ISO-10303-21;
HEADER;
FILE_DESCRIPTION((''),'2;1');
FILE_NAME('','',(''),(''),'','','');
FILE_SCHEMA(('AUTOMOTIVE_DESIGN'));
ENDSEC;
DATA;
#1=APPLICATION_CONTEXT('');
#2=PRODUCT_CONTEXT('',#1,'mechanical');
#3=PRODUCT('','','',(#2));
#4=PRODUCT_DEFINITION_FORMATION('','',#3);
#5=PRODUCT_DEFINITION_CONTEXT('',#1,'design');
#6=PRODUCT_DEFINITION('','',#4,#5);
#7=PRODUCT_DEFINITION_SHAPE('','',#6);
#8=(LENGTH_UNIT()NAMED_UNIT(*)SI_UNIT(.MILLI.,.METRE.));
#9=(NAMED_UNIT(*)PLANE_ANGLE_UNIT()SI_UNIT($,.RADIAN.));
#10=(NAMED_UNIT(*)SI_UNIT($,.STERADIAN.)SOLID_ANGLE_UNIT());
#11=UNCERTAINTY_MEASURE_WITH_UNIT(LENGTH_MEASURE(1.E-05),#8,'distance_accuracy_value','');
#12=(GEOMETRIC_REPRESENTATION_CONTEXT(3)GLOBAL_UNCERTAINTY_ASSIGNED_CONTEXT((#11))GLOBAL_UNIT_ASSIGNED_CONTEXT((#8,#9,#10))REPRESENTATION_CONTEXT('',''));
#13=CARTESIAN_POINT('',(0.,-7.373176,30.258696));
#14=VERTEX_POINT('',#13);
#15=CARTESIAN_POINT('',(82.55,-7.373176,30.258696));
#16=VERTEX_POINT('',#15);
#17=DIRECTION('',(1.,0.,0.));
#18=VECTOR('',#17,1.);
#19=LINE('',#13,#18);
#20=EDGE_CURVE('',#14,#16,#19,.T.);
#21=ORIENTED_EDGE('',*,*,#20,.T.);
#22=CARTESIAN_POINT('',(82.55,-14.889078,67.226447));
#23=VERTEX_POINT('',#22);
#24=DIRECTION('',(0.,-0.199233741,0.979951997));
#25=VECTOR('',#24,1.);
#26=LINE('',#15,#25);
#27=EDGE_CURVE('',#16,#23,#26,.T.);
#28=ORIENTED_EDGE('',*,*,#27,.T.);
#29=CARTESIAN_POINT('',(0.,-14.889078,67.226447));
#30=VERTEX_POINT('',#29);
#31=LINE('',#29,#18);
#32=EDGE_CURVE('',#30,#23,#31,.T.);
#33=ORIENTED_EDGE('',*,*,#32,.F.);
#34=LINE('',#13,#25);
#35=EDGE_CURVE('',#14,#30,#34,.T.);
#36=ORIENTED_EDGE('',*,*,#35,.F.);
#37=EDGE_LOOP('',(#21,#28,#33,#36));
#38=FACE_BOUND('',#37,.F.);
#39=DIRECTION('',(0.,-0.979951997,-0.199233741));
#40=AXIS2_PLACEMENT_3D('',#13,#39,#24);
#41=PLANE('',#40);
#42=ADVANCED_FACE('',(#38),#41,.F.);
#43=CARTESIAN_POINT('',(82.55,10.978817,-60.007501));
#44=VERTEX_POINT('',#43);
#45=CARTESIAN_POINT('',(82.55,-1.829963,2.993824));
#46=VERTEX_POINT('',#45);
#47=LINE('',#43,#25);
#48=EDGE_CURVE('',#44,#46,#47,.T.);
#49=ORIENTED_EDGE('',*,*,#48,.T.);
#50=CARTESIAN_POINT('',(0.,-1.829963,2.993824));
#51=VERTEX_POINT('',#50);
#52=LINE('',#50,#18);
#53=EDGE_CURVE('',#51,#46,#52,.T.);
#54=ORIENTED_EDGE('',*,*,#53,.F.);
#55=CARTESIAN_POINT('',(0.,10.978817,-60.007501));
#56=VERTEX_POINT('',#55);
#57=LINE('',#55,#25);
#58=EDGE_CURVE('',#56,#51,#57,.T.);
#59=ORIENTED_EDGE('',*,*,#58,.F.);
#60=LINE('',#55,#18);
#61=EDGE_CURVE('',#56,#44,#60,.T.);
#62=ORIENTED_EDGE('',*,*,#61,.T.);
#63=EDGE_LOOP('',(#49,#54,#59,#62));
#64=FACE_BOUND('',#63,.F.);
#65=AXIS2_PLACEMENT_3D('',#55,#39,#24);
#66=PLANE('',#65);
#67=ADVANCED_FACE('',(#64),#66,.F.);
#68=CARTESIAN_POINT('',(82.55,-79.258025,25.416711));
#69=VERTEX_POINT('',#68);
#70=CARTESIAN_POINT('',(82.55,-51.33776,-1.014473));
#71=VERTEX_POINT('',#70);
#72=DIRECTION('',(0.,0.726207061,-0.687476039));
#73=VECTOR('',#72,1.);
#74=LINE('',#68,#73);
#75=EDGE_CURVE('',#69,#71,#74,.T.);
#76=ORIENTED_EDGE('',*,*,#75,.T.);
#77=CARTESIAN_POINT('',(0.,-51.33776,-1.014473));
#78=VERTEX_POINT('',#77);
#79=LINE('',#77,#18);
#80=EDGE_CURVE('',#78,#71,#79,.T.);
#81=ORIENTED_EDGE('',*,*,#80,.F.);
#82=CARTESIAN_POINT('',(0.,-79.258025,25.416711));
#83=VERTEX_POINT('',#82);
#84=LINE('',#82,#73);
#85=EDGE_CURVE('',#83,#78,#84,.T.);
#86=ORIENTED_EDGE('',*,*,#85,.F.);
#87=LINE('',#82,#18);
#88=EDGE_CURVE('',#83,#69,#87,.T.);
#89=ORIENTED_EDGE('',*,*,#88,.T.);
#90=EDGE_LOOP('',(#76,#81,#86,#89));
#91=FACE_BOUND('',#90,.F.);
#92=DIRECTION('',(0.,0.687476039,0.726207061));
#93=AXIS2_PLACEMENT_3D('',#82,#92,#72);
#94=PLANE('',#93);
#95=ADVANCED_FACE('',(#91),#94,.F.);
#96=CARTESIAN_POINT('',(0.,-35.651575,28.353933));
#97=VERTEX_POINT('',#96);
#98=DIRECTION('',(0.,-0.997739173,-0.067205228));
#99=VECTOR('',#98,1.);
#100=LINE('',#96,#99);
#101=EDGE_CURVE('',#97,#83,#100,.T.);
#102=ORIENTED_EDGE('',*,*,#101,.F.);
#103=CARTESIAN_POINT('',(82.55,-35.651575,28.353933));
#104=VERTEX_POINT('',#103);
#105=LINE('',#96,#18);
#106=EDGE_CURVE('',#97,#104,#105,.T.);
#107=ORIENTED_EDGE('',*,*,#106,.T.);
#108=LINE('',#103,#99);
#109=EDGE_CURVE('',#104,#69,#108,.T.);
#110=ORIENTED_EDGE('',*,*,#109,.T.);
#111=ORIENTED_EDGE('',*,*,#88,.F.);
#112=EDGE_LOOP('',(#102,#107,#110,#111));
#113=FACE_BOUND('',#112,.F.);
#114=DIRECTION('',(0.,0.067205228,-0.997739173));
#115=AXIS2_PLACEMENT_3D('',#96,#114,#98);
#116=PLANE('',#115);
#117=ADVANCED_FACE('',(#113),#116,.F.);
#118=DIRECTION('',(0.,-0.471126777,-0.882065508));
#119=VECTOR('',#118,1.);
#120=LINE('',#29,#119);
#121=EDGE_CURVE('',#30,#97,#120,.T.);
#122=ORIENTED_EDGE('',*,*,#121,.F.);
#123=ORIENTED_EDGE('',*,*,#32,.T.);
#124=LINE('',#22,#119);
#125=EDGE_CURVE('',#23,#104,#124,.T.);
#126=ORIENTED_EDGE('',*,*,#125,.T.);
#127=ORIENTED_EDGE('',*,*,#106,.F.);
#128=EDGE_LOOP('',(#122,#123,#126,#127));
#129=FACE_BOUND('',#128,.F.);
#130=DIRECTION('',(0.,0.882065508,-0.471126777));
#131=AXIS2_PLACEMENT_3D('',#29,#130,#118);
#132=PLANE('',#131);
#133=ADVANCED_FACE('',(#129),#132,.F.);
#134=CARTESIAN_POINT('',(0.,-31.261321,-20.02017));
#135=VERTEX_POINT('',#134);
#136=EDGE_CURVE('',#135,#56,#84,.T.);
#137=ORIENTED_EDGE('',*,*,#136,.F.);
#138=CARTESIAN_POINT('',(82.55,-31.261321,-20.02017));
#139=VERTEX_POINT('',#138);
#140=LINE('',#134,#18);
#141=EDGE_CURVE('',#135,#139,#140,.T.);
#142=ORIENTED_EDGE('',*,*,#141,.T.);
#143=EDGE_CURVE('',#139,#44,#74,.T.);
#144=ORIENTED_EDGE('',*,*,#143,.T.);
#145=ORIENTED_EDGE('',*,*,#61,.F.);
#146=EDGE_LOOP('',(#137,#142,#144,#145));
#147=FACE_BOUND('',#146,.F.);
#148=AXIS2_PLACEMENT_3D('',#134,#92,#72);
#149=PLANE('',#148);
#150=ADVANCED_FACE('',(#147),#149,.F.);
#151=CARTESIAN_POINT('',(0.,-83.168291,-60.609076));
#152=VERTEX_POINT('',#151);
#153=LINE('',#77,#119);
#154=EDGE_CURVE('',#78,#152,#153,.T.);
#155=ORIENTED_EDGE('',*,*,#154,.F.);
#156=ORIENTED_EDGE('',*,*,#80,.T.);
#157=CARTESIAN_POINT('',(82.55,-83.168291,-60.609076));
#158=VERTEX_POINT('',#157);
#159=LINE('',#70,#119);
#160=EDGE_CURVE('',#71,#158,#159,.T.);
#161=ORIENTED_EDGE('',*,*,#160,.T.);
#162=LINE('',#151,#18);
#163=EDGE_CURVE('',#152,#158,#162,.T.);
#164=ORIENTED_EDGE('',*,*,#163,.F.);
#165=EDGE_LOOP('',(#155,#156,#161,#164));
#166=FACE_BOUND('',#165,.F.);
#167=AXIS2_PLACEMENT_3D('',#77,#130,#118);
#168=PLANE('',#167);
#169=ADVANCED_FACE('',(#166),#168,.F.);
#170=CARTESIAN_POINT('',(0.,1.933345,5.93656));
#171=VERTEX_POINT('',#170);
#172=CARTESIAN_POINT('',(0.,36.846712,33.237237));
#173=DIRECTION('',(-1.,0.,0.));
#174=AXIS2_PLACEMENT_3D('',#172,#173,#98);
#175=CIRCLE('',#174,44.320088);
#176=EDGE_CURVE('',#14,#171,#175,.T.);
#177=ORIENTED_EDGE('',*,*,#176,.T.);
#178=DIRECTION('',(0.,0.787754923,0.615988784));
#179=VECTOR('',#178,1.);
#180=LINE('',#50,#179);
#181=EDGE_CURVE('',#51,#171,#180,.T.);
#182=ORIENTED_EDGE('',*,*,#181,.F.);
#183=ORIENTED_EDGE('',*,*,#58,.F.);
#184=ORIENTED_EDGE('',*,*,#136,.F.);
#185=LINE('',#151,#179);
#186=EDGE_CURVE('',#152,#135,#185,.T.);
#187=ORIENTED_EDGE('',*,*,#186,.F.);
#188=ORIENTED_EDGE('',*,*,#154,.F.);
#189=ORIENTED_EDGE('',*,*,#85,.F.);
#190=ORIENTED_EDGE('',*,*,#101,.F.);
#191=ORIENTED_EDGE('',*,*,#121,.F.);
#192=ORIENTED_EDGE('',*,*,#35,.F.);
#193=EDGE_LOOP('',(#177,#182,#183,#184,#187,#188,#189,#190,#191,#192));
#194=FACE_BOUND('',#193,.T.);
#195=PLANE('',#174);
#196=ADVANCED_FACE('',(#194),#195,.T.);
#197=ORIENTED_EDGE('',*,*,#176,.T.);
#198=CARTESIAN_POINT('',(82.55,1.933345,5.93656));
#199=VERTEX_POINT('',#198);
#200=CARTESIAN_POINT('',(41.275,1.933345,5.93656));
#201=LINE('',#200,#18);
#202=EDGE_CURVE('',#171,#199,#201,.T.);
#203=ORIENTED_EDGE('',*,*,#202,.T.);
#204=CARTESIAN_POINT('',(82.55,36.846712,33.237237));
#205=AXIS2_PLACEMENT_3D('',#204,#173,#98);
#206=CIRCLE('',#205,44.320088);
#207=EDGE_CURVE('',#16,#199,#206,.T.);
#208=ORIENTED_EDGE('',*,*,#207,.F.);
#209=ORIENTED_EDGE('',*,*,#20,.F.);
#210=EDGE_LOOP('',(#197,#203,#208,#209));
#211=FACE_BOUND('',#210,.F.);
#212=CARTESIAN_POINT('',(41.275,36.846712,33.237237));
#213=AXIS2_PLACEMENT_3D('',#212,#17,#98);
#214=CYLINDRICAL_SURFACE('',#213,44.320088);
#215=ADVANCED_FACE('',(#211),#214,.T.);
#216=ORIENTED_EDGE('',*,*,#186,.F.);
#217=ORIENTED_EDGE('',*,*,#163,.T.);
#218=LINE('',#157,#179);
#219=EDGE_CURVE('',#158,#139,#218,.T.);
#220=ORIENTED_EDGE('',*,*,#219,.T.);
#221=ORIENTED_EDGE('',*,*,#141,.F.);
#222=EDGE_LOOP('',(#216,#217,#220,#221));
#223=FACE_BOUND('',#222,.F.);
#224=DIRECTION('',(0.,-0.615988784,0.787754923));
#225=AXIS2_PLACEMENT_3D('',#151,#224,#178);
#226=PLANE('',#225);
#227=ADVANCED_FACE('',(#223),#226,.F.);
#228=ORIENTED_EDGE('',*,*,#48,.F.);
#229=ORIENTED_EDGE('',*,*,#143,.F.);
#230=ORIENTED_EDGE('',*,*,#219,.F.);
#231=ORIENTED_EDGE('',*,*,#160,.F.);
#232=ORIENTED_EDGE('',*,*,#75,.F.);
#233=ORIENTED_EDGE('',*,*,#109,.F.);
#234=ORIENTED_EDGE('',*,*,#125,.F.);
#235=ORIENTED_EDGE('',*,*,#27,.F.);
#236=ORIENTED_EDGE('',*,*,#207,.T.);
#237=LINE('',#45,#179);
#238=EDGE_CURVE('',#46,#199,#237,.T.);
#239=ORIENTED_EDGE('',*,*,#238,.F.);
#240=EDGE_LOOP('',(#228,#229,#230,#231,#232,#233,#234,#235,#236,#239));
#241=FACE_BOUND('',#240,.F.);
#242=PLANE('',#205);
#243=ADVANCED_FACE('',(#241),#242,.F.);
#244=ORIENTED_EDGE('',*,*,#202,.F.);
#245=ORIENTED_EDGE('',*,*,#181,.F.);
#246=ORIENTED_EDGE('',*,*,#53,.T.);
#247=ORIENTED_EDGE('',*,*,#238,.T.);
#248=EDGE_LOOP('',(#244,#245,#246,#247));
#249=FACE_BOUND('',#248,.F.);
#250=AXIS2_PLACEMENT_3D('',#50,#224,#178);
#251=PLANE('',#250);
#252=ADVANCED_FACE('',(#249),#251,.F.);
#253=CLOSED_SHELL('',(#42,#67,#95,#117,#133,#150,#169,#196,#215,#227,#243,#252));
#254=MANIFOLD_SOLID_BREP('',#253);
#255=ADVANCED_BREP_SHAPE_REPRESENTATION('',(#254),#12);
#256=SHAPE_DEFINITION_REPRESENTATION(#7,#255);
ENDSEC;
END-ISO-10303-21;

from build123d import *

# Parameters (mm, degrees)
F1_DEPTH  = 82.55
F1_FACE_W = 82.55
F1_FACE_H = 44.3200882702


with BuildPart() as f1:
    # F0 (on Right) → F1 (new body)
    with BuildSketch(Plane.YZ):
        Polygon((-35.6515749001, 28.3539332832), (-51.3377599602, -1.0144734043), (-31.2613210102, -20.0201695211), (-1.829963126, 2.9938235561), (-7.3731759871, 30.2586958596), align=None)
        Polygon((-1.829963126, 2.9938235561), (-31.2613210102, -20.0201695211), (10.9788170084, -60.0075013936), align=None)
        Polygon((-7.3731759871, 30.2586958596), (-1.829963126, 2.9938235561), (36.8467122316, 33.2372374833), align=None)
        Polygon((-14.8890782148, 67.226447165), (-35.6515749001, 28.3539332832), (-7.3731759871, 30.2586958596), align=None)
        Polygon((-79.2580246925, 25.4167113453), (-51.3377599602, -1.0144734043), (-35.6515749001, 28.3539332832), align=None)
        Polygon((-51.3377599602, -1.0144734043), (-83.1682905555, -60.6090761721), (-31.2613210102, -20.0201695211), align=None)
    extrude(amount=F1_DEPTH)

    # F1_face (on face) → F2 (revolve)
    with BuildSketch(Plane(origin=(41.275, 14.7367681223, 31.7479666714), x_dir=(1, 0, 0), z_dir=(0, -0.0672052277, 0.997739173))):
        Rectangle(F1_FACE_W, F1_FACE_H)
    revolve(axis=Axis((41.275, 36.8467122316, 33.2372374833), (-1, 0, 0)))


solid = f1.part
